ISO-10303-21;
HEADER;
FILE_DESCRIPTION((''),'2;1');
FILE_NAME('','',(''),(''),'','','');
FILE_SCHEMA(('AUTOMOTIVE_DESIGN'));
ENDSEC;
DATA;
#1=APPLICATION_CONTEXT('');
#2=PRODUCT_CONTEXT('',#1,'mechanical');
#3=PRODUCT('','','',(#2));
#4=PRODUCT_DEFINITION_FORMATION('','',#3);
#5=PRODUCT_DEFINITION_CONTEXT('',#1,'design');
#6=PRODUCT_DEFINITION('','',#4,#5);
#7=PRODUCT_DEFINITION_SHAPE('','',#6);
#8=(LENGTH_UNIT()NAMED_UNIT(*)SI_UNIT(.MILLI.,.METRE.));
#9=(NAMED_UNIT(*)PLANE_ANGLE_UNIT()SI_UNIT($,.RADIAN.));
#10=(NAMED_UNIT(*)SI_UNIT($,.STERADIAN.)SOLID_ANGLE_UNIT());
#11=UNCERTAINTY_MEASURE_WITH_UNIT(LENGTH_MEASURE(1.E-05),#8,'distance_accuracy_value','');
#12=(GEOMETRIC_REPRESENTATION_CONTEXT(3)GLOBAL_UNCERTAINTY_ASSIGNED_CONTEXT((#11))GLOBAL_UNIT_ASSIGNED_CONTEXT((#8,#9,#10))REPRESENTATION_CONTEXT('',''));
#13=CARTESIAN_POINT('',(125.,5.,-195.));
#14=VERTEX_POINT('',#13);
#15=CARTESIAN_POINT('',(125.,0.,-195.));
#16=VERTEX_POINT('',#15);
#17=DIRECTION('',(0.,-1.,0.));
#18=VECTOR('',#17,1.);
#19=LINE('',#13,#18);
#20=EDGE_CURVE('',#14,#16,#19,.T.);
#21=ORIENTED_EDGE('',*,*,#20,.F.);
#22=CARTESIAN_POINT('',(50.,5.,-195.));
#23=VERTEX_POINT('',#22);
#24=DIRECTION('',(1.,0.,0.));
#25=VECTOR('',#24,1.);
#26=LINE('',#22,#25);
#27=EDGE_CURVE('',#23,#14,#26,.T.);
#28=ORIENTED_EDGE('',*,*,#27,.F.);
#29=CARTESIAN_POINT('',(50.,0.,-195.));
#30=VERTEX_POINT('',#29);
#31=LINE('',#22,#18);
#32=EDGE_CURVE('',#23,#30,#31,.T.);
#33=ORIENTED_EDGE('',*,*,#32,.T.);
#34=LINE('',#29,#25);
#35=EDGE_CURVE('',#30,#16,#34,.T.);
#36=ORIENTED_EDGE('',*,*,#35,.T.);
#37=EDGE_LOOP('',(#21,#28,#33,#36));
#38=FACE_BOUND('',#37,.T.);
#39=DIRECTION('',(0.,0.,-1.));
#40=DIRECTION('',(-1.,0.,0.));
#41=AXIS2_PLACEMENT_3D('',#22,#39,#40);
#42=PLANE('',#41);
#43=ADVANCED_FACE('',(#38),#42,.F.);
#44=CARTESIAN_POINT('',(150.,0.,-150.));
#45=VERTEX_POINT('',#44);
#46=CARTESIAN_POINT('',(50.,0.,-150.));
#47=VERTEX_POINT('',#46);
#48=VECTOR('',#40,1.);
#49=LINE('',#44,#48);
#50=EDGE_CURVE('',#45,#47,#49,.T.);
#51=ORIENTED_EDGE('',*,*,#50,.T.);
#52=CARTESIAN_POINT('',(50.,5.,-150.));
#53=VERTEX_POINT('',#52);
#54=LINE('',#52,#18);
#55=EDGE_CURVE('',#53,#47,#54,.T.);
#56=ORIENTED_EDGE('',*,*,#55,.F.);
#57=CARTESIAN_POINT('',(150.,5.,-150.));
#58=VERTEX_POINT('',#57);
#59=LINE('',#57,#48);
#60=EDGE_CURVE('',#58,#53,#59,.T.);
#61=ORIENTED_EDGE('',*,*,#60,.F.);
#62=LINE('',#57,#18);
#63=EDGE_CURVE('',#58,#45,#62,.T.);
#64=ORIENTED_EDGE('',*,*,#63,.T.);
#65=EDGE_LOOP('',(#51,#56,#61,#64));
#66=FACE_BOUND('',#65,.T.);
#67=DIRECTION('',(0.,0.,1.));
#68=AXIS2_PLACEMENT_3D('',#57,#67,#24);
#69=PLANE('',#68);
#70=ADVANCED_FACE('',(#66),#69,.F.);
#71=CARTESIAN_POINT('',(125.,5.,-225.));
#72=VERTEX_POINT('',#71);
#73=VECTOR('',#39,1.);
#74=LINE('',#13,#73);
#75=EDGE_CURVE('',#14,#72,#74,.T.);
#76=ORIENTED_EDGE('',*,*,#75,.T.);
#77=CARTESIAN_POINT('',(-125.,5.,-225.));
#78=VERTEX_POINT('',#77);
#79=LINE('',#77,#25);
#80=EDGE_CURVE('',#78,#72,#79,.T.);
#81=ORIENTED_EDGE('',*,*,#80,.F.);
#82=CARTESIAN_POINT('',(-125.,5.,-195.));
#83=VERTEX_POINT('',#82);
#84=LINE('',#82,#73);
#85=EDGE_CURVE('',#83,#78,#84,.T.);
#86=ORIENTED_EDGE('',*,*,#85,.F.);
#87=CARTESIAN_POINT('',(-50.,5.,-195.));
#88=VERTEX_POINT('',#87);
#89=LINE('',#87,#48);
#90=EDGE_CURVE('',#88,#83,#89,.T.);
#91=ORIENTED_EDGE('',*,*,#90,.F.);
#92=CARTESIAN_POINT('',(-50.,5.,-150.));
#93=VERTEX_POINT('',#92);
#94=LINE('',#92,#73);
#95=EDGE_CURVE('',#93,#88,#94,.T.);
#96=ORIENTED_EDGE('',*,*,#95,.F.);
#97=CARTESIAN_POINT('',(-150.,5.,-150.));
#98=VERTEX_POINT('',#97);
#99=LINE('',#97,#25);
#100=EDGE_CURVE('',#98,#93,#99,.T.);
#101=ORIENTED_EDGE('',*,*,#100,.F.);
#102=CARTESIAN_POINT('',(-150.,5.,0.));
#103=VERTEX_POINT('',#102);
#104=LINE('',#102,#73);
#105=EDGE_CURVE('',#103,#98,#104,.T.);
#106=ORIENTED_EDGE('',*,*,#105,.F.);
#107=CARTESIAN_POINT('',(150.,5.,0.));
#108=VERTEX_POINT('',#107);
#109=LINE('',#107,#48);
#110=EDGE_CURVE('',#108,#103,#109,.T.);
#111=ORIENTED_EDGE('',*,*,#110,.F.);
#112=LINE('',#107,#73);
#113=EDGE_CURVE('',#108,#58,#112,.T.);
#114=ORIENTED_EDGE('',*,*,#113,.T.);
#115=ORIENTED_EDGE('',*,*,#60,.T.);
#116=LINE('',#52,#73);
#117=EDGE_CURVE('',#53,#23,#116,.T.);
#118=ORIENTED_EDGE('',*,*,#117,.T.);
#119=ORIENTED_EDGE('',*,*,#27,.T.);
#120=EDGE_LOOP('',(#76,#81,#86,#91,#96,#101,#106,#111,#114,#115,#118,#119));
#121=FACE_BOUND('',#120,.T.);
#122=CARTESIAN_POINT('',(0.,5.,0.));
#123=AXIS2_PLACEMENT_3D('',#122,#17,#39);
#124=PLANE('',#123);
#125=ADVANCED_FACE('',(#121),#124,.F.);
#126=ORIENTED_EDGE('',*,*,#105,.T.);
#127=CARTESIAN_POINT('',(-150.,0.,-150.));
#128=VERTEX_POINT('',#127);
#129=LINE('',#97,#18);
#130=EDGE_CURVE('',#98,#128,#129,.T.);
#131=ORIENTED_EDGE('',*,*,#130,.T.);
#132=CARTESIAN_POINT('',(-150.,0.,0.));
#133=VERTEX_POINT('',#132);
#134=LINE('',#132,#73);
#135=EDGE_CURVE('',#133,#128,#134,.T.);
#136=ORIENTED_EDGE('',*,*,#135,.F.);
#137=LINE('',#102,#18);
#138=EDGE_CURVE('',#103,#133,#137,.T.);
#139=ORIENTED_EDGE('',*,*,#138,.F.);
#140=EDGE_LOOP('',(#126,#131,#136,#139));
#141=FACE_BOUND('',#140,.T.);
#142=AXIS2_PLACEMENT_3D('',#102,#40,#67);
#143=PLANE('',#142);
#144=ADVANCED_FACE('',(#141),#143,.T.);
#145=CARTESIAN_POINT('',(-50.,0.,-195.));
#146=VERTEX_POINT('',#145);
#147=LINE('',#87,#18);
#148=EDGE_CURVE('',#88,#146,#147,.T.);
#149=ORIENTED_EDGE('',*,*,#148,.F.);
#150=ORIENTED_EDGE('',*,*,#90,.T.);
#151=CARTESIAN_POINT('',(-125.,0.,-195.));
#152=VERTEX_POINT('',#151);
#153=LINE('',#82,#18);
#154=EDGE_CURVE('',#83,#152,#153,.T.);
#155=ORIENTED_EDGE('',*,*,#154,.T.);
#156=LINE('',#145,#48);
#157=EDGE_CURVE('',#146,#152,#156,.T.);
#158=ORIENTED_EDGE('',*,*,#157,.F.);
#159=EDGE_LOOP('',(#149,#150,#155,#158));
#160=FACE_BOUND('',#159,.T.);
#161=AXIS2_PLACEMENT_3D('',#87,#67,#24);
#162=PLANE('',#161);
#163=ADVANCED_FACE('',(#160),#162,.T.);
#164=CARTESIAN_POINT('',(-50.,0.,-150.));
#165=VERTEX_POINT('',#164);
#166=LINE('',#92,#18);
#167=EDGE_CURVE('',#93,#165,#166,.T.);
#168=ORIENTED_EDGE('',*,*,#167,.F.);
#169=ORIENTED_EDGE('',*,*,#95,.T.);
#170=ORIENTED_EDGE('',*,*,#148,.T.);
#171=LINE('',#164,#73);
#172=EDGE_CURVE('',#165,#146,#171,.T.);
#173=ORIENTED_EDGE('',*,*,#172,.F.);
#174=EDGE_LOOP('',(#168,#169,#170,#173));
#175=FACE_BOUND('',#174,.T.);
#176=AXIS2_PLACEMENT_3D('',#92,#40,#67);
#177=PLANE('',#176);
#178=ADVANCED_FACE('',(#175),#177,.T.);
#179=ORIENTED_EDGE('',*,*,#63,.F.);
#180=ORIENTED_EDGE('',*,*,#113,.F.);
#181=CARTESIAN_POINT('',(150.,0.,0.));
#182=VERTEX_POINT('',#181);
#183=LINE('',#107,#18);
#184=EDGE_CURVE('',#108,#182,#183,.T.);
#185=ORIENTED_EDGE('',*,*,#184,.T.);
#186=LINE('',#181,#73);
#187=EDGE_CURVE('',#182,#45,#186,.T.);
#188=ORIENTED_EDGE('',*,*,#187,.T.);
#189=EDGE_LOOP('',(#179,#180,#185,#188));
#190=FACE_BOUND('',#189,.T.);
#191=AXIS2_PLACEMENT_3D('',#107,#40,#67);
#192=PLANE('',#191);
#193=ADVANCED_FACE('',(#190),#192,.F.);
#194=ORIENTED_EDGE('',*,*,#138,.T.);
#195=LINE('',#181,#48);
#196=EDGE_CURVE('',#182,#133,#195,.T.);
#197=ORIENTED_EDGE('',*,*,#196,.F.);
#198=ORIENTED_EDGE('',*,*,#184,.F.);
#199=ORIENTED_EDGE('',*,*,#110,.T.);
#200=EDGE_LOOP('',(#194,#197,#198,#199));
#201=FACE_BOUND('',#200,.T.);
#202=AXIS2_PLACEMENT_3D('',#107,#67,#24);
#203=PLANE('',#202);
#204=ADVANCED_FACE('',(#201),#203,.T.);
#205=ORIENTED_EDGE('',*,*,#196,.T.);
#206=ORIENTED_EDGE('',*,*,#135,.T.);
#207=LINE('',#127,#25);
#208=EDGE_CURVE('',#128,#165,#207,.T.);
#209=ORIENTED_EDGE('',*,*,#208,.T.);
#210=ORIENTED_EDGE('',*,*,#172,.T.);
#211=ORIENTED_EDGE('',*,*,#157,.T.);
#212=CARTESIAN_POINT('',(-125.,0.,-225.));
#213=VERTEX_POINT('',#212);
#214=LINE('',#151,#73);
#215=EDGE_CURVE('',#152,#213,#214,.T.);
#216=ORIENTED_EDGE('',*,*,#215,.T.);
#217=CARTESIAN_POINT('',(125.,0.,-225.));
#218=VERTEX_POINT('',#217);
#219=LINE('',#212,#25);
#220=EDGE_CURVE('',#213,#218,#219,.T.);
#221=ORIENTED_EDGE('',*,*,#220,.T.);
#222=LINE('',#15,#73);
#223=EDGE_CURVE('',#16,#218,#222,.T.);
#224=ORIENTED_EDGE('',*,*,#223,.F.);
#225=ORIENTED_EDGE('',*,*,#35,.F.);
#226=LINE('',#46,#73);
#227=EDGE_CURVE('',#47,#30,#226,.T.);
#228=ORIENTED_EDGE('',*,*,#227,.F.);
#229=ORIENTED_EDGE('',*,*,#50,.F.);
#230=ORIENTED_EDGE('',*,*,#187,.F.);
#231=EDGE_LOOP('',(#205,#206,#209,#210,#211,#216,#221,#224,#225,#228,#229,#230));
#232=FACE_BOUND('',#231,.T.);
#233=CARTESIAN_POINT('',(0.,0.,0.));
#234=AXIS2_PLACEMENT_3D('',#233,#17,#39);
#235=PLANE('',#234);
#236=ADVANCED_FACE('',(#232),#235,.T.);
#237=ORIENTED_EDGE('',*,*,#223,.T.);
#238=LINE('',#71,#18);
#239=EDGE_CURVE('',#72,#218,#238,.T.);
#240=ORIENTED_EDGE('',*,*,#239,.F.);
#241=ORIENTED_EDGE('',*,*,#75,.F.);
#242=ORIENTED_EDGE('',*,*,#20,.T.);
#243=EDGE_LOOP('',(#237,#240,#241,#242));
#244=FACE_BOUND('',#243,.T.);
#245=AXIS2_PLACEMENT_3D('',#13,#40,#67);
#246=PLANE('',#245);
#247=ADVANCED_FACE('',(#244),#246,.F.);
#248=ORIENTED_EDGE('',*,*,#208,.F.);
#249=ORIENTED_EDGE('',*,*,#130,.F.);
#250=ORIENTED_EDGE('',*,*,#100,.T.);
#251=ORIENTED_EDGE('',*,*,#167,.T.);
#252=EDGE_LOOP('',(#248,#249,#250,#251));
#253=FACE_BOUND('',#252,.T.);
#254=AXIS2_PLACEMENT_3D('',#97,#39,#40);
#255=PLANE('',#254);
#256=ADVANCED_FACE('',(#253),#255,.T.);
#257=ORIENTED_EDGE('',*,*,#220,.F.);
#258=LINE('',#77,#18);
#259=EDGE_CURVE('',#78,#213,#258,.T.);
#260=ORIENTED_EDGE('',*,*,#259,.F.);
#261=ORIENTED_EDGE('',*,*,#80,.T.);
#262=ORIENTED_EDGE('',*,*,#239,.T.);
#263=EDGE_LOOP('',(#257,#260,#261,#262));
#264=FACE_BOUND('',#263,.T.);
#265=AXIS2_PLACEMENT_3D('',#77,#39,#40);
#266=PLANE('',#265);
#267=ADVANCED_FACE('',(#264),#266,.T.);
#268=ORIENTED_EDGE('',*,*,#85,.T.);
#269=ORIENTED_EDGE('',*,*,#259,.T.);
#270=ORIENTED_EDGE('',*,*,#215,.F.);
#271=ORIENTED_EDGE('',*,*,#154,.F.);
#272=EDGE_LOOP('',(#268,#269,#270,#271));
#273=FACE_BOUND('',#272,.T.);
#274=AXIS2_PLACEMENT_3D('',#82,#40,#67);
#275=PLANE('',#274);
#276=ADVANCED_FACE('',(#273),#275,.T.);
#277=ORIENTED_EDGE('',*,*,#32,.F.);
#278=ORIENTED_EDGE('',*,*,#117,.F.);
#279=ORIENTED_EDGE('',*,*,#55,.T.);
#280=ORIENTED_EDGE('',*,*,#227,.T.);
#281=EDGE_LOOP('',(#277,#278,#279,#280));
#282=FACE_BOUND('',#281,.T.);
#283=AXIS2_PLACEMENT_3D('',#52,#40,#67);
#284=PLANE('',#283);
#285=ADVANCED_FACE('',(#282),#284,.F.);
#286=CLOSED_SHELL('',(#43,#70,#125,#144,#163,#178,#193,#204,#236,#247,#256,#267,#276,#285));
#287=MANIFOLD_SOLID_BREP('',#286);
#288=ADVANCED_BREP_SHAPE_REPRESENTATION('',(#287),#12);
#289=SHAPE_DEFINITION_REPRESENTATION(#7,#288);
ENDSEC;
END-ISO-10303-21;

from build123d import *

# Parameters (mm, degrees)
BOSS_EXTRUDE1_DEPTH = 5


with BuildPart() as part:
    # Sketch1 → Boss-Extrude1 (new body)
    with BuildSketch(Plane(origin=(0, 0, 0), x_dir=(1, 0, 0), z_dir=(0, 1, 0))):
        Polygon((150, 0), (-150, 0), (-150, 150), (-50, 150), (-50, 195), (-125, 195), (-125, 225), (125, 225), (125, 195), (50, 195), (50, 150), (150, 150), align=None)
    extrude(amount=BOSS_EXTRUDE1_DEPTH)


solid = part.part
